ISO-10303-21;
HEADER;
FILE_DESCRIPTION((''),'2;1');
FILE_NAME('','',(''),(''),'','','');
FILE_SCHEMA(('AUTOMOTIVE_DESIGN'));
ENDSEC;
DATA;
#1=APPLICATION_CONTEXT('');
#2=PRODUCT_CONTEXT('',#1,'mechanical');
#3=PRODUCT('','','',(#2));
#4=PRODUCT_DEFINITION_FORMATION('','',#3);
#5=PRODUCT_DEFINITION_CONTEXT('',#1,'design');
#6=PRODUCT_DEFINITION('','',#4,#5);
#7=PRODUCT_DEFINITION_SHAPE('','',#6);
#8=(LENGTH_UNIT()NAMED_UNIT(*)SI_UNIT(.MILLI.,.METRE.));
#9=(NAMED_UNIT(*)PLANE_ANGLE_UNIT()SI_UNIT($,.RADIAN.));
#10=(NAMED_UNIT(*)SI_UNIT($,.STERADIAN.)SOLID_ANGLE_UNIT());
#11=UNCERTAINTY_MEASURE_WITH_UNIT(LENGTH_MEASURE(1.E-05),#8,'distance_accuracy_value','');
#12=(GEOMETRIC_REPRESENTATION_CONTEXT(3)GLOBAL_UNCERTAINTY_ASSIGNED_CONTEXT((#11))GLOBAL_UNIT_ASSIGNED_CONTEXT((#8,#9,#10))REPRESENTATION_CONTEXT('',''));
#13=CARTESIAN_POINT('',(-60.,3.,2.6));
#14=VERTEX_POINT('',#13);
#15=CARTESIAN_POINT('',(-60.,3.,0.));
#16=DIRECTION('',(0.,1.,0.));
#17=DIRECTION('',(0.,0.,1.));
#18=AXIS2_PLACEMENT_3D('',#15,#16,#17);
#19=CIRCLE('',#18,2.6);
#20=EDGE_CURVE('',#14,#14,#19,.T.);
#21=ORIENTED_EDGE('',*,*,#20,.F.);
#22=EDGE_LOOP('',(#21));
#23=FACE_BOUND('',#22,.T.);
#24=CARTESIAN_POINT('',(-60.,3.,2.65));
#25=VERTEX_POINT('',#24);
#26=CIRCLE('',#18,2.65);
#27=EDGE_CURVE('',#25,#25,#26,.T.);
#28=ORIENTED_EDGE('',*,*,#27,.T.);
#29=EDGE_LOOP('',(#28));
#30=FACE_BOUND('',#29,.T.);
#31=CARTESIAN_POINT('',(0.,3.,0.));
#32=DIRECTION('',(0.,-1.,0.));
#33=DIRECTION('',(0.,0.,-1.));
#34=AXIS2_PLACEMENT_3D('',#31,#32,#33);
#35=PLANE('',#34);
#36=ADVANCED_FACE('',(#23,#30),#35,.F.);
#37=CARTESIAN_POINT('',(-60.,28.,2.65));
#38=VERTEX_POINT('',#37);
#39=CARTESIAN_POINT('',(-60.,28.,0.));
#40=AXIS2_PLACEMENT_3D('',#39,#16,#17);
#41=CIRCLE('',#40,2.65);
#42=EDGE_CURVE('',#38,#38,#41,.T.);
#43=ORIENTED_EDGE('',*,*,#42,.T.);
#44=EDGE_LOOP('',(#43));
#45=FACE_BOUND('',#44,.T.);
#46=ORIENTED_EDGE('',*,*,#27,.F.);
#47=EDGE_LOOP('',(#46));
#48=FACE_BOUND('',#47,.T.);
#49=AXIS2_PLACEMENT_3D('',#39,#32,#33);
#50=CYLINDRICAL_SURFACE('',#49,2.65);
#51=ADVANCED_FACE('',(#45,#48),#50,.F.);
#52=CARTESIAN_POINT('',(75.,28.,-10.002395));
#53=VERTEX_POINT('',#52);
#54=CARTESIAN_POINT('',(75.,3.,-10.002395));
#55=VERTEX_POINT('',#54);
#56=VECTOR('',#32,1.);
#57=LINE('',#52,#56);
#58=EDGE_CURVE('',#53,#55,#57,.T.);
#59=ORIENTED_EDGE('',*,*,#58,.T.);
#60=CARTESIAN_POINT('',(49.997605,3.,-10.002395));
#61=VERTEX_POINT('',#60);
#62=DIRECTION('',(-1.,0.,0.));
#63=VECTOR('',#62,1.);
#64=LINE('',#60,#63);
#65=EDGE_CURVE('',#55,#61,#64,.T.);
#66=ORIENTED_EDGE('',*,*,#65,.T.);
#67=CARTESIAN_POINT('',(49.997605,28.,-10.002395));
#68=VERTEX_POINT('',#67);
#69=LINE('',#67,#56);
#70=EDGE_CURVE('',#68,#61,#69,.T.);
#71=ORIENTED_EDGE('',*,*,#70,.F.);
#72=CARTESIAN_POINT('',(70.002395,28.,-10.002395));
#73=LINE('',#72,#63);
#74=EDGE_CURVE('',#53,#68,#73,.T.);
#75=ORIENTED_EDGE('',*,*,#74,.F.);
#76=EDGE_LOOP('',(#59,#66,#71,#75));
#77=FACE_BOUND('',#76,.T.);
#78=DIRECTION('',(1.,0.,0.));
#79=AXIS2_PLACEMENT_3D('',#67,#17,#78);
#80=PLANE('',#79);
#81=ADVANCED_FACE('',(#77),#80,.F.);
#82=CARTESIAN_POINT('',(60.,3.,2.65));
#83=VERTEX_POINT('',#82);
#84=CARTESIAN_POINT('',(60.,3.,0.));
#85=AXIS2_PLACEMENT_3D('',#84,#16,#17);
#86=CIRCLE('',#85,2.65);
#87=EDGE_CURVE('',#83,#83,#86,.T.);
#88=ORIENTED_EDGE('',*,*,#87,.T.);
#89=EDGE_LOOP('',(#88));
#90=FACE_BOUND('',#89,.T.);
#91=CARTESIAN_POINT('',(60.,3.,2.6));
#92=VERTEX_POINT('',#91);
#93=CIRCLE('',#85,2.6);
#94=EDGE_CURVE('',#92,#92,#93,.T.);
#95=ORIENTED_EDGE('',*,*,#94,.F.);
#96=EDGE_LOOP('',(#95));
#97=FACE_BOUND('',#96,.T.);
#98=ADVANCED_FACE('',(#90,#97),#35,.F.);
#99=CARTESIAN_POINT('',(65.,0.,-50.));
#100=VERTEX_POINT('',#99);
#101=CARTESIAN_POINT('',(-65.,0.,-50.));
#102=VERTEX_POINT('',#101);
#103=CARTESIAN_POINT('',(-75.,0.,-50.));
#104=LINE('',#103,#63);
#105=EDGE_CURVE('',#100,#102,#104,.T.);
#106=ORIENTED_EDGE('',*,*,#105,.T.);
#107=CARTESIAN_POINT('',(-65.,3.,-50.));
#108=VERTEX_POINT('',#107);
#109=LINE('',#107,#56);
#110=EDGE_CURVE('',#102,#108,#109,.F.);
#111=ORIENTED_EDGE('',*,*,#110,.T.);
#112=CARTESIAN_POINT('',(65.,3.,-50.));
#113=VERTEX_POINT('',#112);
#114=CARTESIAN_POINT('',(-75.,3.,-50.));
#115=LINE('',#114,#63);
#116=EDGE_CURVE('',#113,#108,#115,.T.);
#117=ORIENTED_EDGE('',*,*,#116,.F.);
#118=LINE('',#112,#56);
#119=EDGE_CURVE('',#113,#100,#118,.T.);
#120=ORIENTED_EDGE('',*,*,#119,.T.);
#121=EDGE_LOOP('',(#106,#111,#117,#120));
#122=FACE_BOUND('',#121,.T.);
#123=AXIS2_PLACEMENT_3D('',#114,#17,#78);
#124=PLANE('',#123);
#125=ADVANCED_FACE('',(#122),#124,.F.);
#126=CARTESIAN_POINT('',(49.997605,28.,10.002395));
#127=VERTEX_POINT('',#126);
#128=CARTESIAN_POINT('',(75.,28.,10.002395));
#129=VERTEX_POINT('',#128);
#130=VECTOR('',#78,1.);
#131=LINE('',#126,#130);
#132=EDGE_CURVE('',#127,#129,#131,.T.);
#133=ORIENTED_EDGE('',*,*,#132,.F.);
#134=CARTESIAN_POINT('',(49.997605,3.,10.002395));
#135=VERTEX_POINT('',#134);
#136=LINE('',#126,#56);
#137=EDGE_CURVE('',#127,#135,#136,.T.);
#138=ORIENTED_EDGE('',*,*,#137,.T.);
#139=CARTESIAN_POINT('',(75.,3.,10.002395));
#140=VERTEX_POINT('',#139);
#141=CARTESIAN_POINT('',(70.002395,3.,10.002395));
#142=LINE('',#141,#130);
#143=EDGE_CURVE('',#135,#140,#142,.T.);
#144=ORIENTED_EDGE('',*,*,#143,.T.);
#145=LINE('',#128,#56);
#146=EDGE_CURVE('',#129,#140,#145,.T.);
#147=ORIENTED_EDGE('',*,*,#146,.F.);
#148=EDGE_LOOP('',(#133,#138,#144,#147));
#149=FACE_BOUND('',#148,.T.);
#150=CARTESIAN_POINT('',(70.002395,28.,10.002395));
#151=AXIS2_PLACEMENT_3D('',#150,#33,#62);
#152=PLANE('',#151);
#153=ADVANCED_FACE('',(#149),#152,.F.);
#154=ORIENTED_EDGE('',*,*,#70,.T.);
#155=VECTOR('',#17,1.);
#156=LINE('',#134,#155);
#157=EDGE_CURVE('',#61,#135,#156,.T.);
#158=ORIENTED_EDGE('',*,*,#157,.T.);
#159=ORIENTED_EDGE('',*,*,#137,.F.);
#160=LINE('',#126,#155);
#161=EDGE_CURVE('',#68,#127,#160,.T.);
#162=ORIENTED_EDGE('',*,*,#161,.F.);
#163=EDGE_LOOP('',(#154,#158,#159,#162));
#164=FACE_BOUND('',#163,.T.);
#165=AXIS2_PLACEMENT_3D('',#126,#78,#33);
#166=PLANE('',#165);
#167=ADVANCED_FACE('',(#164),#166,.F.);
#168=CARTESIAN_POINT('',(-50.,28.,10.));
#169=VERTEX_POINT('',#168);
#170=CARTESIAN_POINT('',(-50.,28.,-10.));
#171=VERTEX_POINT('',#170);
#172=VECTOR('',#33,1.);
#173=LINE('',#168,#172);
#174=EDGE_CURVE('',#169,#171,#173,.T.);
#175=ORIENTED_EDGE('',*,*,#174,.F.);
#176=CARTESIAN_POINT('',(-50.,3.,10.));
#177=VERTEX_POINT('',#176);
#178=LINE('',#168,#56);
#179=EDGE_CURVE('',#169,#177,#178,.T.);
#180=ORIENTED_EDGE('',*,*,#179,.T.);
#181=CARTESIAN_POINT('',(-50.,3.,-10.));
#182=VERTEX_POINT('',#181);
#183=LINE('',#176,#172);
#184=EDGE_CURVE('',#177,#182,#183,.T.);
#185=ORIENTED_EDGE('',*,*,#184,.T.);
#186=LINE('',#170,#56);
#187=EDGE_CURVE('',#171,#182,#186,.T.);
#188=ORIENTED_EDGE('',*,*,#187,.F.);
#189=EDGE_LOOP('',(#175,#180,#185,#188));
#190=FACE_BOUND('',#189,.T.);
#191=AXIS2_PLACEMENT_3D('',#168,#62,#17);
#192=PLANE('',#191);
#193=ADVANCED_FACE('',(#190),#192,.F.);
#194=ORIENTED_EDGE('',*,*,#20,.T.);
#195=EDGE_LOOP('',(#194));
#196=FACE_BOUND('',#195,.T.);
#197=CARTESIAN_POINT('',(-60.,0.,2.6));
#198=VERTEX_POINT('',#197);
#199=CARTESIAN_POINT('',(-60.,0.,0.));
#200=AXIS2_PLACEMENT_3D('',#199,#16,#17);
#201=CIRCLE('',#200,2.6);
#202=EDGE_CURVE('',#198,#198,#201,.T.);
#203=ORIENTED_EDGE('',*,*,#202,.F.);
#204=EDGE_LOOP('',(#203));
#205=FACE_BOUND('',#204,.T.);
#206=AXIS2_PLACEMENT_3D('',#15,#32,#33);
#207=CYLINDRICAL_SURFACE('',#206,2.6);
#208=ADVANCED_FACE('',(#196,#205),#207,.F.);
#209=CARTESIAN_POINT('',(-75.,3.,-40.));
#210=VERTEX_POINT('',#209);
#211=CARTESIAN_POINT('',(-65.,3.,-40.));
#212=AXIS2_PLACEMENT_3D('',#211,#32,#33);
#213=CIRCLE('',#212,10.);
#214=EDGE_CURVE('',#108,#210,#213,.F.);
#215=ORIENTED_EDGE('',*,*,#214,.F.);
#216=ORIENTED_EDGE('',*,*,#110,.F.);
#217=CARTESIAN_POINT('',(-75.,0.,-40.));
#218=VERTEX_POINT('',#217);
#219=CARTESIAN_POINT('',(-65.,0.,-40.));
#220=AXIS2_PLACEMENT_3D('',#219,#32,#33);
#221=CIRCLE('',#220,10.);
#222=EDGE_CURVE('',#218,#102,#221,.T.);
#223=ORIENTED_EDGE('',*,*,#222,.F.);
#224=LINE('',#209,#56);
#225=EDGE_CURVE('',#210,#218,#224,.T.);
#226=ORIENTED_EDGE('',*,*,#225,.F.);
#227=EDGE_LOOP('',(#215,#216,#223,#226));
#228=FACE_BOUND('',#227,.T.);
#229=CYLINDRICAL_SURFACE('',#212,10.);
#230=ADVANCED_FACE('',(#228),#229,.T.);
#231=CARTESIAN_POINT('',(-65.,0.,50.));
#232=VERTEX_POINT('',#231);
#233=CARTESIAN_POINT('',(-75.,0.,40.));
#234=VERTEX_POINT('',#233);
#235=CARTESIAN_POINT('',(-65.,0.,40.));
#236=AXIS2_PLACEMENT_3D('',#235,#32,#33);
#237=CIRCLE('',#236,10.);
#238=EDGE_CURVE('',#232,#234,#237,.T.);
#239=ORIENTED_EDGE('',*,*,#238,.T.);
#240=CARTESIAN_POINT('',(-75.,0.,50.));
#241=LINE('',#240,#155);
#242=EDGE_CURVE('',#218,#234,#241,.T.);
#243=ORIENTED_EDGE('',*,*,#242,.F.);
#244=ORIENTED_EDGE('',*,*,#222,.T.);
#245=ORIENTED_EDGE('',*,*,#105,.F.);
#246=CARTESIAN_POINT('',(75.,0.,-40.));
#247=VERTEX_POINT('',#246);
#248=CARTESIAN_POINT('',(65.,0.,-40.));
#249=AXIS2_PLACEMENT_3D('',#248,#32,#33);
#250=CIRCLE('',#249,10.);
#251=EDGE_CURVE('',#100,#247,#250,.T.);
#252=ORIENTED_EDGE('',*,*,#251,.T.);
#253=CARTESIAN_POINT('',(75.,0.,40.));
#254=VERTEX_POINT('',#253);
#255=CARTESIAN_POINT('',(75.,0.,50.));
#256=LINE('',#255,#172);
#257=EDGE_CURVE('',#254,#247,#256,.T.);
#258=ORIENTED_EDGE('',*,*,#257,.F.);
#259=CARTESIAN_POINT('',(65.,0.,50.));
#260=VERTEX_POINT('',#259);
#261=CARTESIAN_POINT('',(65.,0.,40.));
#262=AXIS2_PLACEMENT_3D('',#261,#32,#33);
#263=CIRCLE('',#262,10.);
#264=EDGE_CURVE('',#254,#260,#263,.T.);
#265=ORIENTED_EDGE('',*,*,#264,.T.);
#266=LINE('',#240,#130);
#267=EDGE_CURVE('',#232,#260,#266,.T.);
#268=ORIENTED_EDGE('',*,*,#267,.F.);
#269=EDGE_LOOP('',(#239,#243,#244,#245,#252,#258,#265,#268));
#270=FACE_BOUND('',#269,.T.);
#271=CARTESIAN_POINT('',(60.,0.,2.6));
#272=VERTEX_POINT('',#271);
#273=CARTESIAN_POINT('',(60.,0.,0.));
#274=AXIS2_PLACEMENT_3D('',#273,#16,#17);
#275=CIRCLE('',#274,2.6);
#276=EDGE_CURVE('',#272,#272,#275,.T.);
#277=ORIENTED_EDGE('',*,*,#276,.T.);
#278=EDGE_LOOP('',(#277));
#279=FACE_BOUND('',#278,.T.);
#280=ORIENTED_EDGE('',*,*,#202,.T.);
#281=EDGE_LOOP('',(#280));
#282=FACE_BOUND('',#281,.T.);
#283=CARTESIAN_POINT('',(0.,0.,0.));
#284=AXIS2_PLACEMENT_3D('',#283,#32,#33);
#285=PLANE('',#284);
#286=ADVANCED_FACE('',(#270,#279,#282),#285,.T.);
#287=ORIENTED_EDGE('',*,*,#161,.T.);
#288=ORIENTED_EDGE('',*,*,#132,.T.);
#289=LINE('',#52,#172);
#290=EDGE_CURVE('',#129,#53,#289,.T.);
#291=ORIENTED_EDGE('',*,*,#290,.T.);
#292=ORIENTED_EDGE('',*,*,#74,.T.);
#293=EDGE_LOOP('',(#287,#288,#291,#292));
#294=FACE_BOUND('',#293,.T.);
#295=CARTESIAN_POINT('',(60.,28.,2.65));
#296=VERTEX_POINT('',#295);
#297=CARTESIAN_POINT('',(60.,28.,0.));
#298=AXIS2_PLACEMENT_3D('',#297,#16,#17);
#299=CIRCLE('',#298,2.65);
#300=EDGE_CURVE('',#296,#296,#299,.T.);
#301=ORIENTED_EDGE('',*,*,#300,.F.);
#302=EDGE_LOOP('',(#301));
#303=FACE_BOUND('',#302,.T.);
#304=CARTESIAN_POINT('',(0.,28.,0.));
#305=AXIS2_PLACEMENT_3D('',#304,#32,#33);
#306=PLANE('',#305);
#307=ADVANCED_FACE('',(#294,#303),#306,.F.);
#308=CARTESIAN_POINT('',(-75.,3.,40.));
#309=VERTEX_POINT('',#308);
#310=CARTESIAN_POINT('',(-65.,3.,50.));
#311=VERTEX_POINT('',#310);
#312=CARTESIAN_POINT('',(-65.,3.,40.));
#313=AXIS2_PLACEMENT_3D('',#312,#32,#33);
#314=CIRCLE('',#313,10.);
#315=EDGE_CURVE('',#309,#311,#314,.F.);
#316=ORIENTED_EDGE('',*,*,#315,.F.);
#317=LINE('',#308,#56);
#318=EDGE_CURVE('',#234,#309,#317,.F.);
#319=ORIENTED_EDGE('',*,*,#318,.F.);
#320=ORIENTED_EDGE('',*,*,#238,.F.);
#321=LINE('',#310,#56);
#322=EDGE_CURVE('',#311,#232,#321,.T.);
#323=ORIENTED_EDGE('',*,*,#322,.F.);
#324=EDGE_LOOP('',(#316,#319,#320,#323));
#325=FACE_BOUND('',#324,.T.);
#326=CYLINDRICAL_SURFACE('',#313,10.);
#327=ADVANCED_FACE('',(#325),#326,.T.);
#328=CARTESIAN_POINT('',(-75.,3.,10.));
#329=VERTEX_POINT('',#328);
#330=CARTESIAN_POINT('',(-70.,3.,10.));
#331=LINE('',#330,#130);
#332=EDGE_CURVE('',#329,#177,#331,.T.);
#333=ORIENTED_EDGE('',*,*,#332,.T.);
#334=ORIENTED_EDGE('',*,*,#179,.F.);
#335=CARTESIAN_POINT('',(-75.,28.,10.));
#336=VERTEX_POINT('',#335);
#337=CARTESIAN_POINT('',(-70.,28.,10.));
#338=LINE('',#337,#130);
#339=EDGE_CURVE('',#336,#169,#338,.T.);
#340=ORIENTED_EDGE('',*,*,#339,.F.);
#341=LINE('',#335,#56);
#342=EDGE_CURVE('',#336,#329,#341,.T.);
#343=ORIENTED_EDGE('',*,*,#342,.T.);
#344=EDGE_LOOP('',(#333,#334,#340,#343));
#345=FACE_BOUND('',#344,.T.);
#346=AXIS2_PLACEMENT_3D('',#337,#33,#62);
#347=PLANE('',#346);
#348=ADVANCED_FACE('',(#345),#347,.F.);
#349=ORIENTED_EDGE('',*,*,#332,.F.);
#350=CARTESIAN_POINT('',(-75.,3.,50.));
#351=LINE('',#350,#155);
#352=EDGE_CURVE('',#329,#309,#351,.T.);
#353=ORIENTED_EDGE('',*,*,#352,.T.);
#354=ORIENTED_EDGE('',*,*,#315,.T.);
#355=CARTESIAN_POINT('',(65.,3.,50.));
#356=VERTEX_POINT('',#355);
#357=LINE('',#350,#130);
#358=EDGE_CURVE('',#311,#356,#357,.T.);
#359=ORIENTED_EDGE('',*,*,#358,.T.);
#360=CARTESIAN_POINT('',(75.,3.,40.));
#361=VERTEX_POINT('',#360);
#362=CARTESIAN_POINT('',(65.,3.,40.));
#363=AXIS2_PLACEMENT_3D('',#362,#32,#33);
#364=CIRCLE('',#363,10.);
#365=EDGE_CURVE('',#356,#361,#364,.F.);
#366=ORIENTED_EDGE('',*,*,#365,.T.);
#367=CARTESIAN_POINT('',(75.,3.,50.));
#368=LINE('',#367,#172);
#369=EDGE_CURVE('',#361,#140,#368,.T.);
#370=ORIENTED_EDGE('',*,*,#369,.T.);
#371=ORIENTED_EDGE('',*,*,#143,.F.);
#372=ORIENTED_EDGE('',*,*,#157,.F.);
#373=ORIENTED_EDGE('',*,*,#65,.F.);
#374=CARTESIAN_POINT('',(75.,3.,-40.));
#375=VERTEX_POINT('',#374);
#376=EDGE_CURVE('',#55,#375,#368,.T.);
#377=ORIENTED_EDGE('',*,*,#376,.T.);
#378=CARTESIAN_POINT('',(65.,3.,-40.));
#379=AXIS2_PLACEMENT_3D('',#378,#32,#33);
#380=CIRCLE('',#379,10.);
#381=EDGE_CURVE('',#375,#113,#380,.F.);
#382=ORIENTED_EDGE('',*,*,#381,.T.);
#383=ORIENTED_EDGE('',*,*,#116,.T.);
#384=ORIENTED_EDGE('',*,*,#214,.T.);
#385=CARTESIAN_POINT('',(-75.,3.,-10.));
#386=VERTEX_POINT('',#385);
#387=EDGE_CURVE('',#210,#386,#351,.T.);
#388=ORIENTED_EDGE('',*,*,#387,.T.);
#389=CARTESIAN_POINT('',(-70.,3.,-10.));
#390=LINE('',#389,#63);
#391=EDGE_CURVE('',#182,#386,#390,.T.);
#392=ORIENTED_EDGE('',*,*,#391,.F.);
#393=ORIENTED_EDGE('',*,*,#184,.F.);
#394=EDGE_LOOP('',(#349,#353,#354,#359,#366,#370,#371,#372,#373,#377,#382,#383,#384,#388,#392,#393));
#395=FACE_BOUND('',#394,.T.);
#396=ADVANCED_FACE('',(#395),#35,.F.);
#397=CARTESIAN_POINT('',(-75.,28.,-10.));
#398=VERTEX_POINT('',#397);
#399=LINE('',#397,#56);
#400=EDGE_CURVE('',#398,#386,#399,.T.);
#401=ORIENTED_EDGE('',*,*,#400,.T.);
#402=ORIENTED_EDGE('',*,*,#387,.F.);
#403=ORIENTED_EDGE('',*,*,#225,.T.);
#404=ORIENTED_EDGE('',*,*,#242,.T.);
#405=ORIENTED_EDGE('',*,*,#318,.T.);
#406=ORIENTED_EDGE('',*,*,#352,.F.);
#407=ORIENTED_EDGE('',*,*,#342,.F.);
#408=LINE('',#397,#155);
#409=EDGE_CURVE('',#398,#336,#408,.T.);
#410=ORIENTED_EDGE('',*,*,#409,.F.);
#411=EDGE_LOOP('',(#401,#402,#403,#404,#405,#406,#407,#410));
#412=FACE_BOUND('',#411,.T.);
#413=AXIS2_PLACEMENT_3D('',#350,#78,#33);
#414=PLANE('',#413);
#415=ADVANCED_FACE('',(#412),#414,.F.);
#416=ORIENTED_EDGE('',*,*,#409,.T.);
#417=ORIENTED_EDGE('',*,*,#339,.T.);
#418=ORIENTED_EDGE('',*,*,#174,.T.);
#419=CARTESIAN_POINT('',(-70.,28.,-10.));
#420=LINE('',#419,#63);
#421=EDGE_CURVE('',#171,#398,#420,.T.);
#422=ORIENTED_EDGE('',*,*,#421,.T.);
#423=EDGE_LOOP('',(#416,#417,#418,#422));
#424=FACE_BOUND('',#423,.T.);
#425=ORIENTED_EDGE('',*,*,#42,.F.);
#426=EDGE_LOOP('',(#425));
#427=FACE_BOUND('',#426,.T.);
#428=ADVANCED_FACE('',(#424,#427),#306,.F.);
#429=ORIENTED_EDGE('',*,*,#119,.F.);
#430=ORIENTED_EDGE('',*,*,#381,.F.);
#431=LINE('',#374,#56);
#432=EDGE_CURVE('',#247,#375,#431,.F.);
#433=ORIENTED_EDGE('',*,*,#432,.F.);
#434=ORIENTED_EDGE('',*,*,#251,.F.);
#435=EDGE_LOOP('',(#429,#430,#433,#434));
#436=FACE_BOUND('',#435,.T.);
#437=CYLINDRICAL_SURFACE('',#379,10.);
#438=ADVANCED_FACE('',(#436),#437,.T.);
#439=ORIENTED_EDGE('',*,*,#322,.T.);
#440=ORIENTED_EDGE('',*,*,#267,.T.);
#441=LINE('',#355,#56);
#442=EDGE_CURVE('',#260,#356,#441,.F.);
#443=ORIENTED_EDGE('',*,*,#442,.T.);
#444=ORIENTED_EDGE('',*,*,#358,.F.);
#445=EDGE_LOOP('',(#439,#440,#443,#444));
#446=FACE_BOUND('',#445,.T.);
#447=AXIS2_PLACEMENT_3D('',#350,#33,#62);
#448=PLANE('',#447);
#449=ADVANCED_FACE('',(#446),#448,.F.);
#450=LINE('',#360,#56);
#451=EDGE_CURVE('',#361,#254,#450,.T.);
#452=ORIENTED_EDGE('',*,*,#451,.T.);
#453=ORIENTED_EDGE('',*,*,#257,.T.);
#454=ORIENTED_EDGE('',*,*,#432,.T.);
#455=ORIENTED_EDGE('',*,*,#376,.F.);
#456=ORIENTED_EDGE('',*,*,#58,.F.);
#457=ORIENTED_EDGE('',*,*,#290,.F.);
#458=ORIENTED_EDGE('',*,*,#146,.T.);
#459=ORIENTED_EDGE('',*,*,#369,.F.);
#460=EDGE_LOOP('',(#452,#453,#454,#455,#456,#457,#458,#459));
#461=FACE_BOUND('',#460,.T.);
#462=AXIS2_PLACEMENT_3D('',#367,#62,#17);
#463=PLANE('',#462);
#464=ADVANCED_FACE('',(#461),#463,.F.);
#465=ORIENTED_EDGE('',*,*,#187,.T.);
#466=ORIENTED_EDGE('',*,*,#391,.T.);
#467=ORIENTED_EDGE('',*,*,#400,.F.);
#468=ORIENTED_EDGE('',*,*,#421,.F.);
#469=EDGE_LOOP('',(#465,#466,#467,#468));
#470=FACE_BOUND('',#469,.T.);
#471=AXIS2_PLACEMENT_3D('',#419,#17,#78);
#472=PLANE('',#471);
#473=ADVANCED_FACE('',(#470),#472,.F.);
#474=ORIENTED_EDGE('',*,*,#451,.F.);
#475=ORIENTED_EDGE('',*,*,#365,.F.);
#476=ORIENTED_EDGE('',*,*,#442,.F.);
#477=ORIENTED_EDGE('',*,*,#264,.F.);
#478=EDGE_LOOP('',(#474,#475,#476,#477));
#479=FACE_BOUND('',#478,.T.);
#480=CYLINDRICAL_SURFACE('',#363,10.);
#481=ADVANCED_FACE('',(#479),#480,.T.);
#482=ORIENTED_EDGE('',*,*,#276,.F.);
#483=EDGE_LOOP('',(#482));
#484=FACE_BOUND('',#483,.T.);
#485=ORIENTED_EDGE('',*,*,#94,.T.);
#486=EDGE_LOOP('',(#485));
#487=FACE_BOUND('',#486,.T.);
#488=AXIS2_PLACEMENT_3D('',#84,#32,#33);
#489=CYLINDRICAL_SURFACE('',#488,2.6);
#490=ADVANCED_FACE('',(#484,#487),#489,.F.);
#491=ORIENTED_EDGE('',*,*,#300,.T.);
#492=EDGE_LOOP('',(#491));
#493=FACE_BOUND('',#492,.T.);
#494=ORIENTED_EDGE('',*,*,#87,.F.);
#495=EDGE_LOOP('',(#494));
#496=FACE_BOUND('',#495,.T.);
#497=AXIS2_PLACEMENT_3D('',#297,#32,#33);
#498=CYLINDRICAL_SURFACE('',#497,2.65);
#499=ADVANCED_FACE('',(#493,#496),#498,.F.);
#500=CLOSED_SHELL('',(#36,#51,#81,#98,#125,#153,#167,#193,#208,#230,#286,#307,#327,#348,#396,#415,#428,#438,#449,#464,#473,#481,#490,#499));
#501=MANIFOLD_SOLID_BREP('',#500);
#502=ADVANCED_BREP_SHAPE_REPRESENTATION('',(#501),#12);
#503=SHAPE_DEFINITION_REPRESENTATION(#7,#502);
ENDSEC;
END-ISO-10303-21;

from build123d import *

# Parameters (mm, degrees)
SKETCH1_W           = 150
SKETCH1_H           = 100
SKETCH1_R           = 2.6
BOSS_EXTRUDE1_DEPTH = 3
SKETCH2_R           = 2.65
BOSS_EXTRUDE2_DEPTH = 25
FILLET1_R           = 10


with BuildPart() as part:
    # Sketch1 → Boss-Extrude1 (new body)
    with BuildSketch(Plane(origin=(0, 0, 0), x_dir=(1, 0, 0), z_dir=(0, 1, 0))):
        Rectangle(SKETCH1_W, SKETCH1_H)
        with Locations(Location((-60, 0, 0), (0, 0, 270))):
            Circle(SKETCH1_R, mode=Mode.SUBTRACT)
        with Locations(Location((60, 0, 0), (0, 0, 270))):
            Circle(SKETCH1_R, mode=Mode.SUBTRACT)
    extrude(amount=BOSS_EXTRUDE1_DEPTH)

    # Sketch2 → Boss-Extrude2 (add)
    # profile 1 of 2: a face of its own
    with BuildSketch(Plane(origin=(0, 3, 0), x_dir=(1, 0, 0), z_dir=(0, 1, 0))):
        Polygon((-70, -10), (-50, -10), (-50, 10), (-70, 10), (-75, 10), (-75, -10), align=None)
        with Locations(Location((-60, 0, 0), (0, 0, 270))):
            Circle(SKETCH2_R, mode=Mode.SUBTRACT)
    # profile 2 of 2: a face of its own
    with BuildSketch(Plane(origin=(0, 3, 0), x_dir=(1, 0, 0), z_dir=(0, 1, 0))):
        Polygon((49.997605223, -10.002394777), (70.002394777, -10.002394777), (75, -10.002394777), (75, 10.002394777), (70.002394777, 10.002394777), (49.997605223, 10.002394777), align=None)
        with Locations(Location((60, 0, 0), (0, 0, 270))):
            Circle(SKETCH2_R, mode=Mode.SUBTRACT)
    extrude(amount=BOSS_EXTRUDE2_DEPTH)

    # Fillet1
    fillet1_edges = [part.edges().sort_by_distance(p)[0] for p in [
        (75, 1.5, 50),
        (-75, 1.5, 50),
        (-75, 1.5, -50),
        (75, 1.5, -50),
    ]]
    fillet(fillet1_edges, radius=FILLET1_R)


solid = part.part
